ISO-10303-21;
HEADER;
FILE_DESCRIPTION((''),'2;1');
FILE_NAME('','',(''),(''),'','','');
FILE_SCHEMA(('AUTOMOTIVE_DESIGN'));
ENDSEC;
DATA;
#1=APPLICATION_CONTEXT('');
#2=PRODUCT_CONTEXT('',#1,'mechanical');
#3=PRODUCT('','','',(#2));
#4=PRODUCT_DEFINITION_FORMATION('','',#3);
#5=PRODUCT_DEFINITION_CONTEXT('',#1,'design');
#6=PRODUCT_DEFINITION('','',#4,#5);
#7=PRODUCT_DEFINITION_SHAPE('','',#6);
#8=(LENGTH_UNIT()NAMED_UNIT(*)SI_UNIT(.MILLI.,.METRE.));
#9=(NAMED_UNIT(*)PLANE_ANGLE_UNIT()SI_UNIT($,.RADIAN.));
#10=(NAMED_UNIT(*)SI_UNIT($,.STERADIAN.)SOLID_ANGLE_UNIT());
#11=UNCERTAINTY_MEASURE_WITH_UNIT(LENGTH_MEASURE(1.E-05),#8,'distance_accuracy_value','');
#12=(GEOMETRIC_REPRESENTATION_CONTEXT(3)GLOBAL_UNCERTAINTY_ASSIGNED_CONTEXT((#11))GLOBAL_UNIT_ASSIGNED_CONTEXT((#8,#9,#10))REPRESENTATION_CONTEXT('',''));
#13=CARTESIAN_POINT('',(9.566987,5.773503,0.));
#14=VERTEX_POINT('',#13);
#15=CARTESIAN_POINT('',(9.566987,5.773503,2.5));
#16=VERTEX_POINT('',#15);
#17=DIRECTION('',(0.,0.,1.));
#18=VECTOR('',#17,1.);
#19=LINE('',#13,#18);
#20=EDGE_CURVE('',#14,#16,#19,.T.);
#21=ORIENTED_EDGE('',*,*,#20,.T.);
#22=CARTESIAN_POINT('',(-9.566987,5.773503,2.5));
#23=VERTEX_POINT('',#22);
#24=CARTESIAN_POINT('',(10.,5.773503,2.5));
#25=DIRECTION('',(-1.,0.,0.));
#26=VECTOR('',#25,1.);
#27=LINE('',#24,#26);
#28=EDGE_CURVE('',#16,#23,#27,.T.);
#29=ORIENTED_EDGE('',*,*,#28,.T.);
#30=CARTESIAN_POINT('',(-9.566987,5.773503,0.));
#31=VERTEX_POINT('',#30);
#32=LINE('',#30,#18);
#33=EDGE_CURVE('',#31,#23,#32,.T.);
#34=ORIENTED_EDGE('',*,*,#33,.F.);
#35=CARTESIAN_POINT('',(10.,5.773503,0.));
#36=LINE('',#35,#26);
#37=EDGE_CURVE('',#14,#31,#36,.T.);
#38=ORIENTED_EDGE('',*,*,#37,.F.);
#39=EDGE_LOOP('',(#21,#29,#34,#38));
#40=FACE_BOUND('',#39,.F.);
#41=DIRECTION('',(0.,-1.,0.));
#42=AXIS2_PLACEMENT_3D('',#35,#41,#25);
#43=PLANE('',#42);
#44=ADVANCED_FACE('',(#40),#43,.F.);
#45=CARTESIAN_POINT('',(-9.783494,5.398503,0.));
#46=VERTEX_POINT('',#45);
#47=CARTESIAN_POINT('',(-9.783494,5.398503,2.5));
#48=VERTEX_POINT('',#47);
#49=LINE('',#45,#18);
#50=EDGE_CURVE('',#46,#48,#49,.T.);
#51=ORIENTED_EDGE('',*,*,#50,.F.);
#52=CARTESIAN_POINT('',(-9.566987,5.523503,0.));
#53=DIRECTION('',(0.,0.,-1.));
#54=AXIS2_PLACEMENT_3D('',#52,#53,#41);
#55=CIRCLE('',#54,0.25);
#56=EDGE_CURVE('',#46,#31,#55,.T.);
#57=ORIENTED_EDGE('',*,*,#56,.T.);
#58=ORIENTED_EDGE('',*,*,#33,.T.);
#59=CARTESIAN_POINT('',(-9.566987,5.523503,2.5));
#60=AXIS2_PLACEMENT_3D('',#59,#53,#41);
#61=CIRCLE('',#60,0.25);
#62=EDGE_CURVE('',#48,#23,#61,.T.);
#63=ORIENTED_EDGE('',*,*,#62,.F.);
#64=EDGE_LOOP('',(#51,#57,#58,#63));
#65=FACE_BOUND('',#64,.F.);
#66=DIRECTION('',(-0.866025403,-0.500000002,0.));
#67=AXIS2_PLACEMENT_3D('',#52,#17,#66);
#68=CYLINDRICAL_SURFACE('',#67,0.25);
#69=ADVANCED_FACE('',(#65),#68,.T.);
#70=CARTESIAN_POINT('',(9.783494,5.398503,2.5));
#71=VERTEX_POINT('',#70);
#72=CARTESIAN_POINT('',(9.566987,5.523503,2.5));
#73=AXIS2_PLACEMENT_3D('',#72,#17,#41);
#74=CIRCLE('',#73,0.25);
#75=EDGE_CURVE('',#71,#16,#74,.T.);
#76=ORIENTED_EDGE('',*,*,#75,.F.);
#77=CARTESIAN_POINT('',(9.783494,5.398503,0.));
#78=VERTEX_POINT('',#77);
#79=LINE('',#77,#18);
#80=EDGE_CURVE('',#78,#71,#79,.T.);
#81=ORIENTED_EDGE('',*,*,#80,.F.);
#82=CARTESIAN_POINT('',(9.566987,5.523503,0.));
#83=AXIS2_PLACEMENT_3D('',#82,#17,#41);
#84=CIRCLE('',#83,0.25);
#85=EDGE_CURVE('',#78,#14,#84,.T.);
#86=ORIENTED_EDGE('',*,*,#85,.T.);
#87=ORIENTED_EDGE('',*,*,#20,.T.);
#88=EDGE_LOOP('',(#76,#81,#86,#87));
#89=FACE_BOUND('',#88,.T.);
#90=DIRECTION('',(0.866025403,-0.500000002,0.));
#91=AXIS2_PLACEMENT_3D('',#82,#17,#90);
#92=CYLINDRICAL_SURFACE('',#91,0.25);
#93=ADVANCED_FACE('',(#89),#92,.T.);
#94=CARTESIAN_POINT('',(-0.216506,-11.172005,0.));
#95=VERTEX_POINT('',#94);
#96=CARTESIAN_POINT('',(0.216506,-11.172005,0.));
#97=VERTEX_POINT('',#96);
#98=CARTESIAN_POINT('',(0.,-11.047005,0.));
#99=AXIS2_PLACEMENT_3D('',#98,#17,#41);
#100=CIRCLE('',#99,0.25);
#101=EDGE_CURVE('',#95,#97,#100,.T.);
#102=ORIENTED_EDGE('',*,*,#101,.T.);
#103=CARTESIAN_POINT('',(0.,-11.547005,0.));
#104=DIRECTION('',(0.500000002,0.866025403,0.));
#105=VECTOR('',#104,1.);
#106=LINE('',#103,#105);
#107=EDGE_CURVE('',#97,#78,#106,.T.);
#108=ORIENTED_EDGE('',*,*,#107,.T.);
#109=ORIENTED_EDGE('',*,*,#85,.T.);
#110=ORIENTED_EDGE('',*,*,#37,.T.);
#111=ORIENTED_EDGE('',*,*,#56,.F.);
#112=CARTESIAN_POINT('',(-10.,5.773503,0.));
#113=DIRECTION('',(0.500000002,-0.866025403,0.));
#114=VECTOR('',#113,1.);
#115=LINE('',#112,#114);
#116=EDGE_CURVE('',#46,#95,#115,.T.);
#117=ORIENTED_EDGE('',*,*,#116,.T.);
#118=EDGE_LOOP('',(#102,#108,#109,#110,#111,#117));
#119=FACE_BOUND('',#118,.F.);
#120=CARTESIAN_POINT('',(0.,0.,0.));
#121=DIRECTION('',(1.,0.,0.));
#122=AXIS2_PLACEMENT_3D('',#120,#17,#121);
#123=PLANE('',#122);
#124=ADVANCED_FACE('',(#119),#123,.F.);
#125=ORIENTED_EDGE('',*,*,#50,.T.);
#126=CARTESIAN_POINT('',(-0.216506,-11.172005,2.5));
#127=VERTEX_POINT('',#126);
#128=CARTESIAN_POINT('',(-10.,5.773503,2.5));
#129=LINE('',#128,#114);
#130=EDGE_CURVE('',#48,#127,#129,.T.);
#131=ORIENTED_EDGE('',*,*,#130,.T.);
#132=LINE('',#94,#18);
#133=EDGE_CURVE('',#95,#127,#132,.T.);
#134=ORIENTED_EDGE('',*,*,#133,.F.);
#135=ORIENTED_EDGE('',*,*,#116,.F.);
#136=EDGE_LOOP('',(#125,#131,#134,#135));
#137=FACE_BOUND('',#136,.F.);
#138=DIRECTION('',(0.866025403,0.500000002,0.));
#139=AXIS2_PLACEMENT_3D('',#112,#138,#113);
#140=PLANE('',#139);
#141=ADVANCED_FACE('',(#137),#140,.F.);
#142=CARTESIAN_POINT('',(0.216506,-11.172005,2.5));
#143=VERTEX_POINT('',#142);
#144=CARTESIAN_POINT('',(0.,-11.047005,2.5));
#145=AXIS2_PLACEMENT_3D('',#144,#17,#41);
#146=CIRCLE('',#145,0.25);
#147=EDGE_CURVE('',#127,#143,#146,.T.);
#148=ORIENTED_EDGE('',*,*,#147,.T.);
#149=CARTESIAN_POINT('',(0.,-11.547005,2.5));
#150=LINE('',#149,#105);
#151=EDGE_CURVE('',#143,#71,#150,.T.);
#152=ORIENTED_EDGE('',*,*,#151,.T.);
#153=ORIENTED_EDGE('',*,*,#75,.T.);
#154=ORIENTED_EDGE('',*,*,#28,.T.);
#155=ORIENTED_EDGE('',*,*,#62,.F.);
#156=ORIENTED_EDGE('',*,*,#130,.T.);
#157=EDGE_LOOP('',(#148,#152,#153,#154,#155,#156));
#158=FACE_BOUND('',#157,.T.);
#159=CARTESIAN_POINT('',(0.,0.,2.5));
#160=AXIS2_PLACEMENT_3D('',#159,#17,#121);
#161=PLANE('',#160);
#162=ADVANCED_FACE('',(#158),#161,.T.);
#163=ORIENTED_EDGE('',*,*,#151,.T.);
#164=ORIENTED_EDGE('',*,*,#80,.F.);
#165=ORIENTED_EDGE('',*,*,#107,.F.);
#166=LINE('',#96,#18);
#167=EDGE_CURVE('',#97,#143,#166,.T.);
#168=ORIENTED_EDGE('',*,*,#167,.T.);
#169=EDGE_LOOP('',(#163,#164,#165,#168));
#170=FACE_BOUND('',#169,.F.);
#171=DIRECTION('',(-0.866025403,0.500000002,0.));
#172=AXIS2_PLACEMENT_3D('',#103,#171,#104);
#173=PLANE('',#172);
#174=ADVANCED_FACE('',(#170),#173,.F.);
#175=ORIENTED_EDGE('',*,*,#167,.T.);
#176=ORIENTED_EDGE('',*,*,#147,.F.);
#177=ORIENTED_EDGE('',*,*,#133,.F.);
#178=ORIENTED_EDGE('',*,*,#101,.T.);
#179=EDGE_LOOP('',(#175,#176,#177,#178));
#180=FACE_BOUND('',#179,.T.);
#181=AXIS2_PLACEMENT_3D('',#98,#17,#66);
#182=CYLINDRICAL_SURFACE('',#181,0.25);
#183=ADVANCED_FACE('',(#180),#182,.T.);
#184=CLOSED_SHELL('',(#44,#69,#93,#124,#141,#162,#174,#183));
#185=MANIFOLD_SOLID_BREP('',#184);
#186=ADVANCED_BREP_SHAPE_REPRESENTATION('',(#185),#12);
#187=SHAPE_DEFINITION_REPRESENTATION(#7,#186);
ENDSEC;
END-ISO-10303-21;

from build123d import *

# Parameters (mm, degrees)
F1_DEPTH = 2.5
F2_R     = 0.25


with BuildPart() as f1:
    # F0 (on Top) → F1 (new body)
    with BuildSketch(Plane.XY):
        Polygon((-10, 5.773503), (0, -11.547005), (10, 5.773503), align=None)
    extrude(amount=F1_DEPTH)

    # F2
    f2_edges = [f1.edges().sort_by_distance(p)[0] for p in [
        (0, -11.547005, 1.25),
        (10, 5.773503, 1.25),
        (-10, 5.773503, 1.25),
    ]]
    fillet(f2_edges, radius=F2_R)


solid = f1.part
